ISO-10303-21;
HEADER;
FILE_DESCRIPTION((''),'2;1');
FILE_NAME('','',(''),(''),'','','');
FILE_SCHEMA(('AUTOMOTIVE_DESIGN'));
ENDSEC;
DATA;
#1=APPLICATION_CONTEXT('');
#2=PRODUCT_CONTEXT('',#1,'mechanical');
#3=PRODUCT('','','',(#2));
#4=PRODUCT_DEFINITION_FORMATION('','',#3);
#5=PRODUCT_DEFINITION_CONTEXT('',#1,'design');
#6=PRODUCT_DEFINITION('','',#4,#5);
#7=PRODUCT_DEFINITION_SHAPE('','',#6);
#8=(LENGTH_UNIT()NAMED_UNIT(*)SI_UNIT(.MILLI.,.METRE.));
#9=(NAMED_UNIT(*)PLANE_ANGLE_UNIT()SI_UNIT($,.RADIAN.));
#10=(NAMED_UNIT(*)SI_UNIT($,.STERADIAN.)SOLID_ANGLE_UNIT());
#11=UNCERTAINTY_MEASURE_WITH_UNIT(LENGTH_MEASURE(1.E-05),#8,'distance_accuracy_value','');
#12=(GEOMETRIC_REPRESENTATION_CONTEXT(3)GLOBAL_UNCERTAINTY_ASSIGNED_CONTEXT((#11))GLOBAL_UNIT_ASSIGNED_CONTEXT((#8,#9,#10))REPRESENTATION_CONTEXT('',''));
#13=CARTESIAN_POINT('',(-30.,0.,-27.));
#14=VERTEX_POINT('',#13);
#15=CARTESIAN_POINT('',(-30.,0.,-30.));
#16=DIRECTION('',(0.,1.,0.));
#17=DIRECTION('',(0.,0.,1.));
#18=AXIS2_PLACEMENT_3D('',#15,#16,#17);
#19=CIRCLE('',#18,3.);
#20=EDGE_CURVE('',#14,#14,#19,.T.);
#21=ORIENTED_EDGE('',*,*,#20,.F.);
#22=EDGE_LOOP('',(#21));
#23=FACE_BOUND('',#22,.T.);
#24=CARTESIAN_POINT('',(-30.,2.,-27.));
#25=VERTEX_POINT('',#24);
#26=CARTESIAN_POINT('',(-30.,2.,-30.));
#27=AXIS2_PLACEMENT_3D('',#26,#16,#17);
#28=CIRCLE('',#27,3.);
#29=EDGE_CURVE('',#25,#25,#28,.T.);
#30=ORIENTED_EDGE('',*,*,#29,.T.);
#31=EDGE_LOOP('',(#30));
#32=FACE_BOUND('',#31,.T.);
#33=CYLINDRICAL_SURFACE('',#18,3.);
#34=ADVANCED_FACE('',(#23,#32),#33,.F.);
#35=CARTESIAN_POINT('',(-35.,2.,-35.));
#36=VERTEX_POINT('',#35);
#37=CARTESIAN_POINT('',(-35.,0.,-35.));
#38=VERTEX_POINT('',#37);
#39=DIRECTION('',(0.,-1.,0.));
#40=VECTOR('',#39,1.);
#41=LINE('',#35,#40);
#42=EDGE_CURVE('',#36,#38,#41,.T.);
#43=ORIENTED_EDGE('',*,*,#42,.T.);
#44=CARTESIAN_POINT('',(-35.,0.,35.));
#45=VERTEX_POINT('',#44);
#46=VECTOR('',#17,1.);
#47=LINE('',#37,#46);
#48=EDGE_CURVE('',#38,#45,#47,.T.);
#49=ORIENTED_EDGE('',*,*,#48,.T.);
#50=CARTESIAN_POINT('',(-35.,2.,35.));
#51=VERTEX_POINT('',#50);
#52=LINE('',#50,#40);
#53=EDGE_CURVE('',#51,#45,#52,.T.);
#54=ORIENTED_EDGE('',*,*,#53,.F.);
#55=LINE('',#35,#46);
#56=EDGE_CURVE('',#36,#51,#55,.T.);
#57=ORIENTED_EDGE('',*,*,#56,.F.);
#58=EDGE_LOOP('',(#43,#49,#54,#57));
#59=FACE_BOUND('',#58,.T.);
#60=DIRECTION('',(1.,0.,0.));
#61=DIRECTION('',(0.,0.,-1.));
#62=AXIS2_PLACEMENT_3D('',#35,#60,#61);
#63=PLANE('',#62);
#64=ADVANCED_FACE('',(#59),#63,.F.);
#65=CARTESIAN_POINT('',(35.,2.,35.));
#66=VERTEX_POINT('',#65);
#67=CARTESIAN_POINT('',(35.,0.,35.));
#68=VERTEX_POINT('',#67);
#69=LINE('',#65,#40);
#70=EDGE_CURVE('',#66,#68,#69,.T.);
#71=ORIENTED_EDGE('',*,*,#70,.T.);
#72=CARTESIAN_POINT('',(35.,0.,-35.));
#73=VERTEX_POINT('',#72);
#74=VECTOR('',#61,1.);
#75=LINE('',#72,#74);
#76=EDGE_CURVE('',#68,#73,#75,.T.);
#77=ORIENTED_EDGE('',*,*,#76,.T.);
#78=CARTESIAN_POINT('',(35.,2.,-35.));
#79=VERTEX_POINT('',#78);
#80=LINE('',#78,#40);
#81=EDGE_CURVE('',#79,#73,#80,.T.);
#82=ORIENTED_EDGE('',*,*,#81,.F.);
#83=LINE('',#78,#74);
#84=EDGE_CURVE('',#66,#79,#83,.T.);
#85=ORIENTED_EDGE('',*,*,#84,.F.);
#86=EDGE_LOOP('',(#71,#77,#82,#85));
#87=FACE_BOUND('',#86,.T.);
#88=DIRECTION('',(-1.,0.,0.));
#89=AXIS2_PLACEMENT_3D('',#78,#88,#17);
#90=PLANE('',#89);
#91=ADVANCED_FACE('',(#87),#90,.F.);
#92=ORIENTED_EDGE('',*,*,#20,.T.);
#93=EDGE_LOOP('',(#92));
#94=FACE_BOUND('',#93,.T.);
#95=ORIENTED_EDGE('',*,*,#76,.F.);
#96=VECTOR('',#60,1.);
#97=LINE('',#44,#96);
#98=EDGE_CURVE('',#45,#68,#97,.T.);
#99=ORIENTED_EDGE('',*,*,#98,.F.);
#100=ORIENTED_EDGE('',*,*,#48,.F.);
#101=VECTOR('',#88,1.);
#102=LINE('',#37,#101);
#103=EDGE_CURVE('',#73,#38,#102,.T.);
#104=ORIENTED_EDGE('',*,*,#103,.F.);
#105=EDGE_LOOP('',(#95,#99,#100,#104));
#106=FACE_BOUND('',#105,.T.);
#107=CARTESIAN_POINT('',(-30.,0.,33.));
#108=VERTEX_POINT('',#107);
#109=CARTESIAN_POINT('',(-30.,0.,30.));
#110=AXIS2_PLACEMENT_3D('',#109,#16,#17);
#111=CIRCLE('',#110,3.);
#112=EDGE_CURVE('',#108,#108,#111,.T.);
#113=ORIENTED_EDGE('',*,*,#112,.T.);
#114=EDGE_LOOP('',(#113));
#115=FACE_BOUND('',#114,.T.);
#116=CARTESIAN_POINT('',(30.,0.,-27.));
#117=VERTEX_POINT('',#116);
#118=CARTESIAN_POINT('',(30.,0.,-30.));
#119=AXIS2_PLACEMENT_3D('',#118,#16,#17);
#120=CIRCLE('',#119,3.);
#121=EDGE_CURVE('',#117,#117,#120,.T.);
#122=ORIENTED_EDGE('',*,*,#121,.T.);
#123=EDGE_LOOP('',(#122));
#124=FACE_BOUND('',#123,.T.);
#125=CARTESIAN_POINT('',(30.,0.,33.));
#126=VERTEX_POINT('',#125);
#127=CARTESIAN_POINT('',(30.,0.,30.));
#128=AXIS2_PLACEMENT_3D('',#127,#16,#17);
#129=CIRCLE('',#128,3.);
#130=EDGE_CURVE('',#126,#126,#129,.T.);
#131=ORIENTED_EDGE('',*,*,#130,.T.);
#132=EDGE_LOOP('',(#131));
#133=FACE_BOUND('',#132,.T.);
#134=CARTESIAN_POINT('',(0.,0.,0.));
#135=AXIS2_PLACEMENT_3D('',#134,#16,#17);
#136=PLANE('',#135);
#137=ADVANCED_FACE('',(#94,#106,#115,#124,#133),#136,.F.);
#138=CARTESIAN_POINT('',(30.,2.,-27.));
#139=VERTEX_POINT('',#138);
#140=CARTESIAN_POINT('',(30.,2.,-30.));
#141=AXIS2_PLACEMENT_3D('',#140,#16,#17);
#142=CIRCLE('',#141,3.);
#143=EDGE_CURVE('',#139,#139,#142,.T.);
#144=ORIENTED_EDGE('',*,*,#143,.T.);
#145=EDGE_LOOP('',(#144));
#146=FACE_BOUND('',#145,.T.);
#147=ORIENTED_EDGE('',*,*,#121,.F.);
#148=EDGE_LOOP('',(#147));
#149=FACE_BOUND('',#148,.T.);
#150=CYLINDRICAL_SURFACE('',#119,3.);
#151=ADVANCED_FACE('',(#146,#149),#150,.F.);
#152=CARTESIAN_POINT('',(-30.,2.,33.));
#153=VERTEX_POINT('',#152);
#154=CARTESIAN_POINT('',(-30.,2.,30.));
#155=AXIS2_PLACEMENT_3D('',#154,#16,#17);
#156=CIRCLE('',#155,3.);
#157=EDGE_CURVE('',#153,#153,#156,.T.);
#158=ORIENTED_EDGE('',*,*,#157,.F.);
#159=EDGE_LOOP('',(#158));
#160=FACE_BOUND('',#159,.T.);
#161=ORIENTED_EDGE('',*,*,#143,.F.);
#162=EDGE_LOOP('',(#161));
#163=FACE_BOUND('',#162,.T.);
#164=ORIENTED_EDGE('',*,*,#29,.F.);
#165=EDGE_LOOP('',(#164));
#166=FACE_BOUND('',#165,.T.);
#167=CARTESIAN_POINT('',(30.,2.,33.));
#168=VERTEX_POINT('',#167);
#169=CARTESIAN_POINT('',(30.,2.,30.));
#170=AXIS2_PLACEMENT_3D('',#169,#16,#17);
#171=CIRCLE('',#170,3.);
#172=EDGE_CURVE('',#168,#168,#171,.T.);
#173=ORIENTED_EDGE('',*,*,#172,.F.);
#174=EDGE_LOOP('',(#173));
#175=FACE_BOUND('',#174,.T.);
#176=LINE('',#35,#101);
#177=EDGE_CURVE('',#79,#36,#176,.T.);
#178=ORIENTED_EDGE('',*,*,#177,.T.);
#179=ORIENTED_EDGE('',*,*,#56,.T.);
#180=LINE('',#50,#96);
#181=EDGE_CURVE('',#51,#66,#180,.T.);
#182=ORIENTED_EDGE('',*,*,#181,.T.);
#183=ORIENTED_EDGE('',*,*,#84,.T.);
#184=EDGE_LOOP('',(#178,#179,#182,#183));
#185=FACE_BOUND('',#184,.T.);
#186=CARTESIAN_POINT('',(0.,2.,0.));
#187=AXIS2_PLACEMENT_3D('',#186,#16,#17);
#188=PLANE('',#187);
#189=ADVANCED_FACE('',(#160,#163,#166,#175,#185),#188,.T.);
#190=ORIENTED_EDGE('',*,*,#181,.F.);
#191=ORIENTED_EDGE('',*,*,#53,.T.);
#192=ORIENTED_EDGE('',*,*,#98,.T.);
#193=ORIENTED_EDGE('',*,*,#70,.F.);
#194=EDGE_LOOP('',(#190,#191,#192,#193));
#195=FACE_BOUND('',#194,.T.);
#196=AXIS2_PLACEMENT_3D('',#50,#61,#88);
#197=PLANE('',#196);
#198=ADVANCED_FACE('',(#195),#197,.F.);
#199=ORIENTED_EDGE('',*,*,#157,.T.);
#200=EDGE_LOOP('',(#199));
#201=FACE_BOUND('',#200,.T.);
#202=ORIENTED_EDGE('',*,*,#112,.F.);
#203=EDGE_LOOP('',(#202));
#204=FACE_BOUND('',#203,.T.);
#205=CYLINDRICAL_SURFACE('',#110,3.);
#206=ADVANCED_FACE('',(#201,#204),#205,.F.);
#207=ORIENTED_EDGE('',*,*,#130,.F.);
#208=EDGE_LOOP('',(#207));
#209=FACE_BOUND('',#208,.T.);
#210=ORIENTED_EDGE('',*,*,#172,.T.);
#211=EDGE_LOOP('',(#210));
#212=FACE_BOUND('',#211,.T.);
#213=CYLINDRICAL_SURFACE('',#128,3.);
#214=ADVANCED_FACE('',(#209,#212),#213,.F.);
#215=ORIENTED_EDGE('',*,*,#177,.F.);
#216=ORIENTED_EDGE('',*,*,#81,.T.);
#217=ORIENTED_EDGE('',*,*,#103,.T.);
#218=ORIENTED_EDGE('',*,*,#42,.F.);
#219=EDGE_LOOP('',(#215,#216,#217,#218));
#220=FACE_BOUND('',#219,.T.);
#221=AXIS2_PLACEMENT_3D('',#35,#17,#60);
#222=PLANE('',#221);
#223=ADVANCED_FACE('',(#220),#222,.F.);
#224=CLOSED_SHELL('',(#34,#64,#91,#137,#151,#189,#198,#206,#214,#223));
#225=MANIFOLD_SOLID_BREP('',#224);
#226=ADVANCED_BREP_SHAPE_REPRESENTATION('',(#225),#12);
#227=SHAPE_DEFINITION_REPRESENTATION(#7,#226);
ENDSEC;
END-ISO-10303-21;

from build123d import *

# Parameters (mm, degrees)
SKETCH_1_W          = 70
SKETCH_1_H          = 70
EXTRUDE_2_DEPTH     = 2
SKETCH_3_R          = 3
CUT_EXTRUDE_1_DEPTH = 50.537864306


with BuildPart() as part:
    # 草图1 → 凸台-拉伸2 (new body)
    with BuildSketch(Plane(origin=(0, 0, 0), x_dir=(1, 0, 0), z_dir=(0, 1, 0))):
        Rectangle(SKETCH_1_W, SKETCH_1_H)
    extrude(amount=EXTRUDE_2_DEPTH)

    # 草图3 → 切除-拉伸1 (cut, through all)
    with BuildSketch(Plane(origin=(0, 2, 0), x_dir=(1, 0, 0), z_dir=(0, 1, 0))):
        with Locations(Location((-30, 30, 0), (0, 0, 270))):
            Circle(SKETCH_3_R)
        with Locations(Location((30, 30, 0), (0, 0, 270))):
            Circle(SKETCH_3_R)
        with Locations(Location((-30, -30, 0), (0, 0, 270))):
            Circle(SKETCH_3_R)
        with Locations(Location((30, -30, 0), (0, 0, 270))):
            Circle(SKETCH_3_R)
    extrude(amount=-CUT_EXTRUDE_1_DEPTH, mode=Mode.SUBTRACT)


solid = part.part
